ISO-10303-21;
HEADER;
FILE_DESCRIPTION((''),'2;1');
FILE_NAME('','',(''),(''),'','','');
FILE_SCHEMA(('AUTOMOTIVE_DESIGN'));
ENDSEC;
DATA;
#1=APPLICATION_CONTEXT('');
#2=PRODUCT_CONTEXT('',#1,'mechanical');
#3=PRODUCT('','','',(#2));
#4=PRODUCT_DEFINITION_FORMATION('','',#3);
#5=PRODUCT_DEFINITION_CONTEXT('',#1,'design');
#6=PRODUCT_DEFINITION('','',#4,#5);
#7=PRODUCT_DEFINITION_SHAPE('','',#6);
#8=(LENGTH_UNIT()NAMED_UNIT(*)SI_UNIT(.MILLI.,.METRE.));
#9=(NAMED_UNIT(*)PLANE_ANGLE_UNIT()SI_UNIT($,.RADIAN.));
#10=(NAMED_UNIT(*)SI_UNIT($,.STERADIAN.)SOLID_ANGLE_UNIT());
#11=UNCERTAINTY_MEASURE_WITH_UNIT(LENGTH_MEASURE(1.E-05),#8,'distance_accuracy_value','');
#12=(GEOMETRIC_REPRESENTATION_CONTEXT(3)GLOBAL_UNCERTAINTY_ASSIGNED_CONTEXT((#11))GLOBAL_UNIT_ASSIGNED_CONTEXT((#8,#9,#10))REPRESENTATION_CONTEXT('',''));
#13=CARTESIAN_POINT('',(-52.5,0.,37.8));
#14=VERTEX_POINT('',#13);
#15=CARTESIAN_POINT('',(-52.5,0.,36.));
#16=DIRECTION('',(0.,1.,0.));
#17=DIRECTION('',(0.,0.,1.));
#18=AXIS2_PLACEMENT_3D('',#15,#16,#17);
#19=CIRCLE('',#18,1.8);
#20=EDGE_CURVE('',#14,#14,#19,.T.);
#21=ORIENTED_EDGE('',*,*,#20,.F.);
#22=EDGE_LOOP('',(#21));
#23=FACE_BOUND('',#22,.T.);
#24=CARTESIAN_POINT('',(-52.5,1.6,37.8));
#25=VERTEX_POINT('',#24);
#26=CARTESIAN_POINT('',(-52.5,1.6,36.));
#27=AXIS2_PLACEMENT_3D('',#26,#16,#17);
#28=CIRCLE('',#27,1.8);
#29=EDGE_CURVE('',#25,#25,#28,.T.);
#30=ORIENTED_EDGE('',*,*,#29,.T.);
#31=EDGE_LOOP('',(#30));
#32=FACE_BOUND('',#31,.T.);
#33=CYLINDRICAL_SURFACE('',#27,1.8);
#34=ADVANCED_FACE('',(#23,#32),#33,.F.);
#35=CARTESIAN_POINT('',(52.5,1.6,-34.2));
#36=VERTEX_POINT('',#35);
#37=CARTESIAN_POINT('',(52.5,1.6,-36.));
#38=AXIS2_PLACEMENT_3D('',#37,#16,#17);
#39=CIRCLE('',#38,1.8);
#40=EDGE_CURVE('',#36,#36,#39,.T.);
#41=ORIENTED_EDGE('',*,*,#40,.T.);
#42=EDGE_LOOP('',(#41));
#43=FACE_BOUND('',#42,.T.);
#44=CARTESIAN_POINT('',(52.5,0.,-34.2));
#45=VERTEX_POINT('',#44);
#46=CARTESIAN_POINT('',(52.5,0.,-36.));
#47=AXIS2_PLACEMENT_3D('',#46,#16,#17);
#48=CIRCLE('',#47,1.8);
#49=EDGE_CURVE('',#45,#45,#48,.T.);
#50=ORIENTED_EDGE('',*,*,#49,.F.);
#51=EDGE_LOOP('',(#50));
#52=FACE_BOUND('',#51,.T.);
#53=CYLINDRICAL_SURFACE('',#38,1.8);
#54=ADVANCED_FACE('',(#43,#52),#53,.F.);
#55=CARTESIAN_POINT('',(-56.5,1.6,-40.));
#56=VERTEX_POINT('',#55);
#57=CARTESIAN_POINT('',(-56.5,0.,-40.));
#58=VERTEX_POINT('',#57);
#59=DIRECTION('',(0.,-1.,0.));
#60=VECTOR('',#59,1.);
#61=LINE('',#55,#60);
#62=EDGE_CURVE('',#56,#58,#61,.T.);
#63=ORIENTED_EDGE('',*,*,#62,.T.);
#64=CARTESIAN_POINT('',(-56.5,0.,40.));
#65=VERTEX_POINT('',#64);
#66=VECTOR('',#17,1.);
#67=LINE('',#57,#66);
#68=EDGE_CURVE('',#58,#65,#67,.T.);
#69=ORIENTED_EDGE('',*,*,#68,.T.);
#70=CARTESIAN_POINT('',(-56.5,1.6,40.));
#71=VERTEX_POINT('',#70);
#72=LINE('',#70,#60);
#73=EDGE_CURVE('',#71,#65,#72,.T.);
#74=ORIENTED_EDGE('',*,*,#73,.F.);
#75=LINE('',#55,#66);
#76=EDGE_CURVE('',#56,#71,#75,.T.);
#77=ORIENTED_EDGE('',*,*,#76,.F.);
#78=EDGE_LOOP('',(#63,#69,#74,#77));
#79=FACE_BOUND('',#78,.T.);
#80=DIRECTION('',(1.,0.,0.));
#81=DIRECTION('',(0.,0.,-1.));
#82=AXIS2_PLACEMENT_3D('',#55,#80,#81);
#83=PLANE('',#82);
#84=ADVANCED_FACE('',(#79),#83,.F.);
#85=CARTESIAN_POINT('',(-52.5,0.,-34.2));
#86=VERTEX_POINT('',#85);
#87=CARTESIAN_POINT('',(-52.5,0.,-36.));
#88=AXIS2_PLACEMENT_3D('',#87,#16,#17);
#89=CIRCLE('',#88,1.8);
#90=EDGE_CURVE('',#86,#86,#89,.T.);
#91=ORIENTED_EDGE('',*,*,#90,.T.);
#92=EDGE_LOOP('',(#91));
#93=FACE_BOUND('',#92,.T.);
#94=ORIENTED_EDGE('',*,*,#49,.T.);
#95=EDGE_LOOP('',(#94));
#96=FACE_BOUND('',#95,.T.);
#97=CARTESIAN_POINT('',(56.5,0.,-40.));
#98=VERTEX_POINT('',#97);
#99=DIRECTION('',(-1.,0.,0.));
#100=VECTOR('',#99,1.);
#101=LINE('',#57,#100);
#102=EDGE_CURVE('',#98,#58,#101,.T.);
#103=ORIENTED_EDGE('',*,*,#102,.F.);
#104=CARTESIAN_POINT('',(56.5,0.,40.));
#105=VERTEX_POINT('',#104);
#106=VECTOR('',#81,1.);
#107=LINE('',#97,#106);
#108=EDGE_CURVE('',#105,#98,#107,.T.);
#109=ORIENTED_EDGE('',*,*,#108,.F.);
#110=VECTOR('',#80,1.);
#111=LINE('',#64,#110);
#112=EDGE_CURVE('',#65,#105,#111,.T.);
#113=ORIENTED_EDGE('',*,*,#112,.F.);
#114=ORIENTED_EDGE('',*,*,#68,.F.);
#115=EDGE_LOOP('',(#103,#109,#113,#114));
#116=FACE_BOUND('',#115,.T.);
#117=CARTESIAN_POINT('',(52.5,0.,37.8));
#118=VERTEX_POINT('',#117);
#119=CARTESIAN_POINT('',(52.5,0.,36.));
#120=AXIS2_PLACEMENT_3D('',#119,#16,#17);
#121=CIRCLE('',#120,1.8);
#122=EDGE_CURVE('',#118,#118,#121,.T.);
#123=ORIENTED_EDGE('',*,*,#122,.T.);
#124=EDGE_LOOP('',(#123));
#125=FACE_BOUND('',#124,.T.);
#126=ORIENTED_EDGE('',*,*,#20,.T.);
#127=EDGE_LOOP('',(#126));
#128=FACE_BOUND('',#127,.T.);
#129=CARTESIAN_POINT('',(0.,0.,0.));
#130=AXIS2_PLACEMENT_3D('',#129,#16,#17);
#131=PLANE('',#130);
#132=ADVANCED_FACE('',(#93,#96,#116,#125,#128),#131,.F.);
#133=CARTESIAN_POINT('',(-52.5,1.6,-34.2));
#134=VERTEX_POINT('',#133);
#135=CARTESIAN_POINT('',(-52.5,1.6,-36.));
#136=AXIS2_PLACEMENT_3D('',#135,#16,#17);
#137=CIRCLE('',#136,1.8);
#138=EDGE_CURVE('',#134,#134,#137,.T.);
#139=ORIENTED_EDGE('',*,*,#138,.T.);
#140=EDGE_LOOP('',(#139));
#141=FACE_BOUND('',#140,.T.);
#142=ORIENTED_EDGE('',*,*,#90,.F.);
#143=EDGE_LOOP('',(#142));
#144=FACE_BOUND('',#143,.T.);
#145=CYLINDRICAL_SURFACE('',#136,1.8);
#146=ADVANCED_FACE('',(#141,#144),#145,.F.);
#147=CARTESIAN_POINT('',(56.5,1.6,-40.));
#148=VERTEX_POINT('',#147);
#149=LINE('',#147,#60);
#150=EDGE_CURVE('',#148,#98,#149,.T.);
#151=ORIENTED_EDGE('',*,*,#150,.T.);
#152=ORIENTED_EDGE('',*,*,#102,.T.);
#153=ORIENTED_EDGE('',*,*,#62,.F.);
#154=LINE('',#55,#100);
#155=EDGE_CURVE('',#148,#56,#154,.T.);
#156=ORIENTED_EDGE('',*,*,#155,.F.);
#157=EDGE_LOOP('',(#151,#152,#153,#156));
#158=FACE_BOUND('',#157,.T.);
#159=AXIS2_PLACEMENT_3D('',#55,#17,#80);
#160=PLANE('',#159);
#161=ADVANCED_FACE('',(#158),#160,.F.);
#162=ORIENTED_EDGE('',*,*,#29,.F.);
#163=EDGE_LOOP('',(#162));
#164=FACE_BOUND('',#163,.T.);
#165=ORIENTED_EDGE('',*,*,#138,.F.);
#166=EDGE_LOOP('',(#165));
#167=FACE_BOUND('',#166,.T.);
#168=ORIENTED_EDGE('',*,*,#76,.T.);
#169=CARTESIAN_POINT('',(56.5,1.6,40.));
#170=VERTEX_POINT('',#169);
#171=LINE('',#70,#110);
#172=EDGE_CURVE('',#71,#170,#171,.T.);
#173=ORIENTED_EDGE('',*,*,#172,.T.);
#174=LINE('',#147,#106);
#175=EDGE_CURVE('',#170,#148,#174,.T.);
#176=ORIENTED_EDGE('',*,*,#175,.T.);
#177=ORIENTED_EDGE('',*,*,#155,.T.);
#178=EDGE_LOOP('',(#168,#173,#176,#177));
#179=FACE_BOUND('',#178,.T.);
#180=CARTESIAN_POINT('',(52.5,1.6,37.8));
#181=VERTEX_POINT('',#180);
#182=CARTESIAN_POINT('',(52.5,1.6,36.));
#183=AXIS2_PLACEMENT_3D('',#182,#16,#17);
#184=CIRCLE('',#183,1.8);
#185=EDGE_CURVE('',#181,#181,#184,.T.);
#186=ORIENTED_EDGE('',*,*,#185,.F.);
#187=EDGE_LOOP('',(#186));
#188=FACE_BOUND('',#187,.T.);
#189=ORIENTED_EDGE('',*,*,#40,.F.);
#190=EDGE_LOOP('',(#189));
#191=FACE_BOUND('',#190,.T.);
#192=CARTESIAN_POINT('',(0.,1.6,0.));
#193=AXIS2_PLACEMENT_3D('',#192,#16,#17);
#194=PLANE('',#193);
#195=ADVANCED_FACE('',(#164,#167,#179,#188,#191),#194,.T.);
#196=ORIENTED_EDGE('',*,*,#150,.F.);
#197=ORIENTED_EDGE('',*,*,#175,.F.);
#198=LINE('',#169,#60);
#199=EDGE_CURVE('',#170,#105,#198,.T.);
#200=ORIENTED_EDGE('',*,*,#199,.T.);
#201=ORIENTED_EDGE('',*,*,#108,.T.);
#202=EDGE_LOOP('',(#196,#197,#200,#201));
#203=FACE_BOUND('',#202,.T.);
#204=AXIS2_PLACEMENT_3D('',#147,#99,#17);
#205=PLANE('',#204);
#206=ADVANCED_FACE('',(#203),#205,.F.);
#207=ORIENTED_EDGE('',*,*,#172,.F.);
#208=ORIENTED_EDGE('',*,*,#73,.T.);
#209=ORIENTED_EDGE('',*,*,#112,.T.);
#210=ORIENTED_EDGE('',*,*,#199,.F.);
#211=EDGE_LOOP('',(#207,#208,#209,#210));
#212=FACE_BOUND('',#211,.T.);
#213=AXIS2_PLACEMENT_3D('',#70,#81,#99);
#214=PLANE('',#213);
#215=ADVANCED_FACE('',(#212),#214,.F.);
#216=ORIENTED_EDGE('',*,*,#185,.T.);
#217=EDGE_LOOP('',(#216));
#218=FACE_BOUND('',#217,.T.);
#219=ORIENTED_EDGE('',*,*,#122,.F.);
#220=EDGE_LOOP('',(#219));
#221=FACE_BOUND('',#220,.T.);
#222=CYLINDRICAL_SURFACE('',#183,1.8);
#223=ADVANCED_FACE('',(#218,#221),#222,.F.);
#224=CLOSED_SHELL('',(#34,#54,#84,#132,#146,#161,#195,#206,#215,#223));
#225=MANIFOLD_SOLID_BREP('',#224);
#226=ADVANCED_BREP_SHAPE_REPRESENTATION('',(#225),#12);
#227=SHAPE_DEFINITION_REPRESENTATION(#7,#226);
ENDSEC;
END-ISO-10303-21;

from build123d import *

# Parameters (mm, degrees)
SKETCH1_W            = 113
SKETCH1_H            = 80
BOSS_EXTRUDE1_DEPTH  = 1.6
M3_CLEARANCE_HOLE1_D = 3.6
MIRROR2_COPY_1_D     = 3.6


with BuildPart() as part:
    # Sketch1 → Boss-Extrude1 (new body)
    with BuildSketch(Plane(origin=(0, 0, 0), x_dir=(1, 0, 0), z_dir=(0, 1, 0))):
        Rectangle(SKETCH1_W, SKETCH1_H)
    extrude(amount=BOSS_EXTRUDE1_DEPTH)

    # M3 Clearance Hole1 (through all)
    with Locations(Plane(origin=(0, 1.6, 0), x_dir=(1, 0, 0), z_dir=(0, 1, 0))):
        with Locations((-52.5, 36)):
            m3_clearance_hole1 = Hole(M3_CLEARANCE_HOLE1_D / 2)

    # Mirror1: M3 Clearance Hole1 across plane
    add(m3_clearance_hole1.mirror(Plane(origin=(0, 0, 0), x_dir=(0, 0, 1), z_dir=(1, 0, 0))), mode=Mode.SUBTRACT)

    # Mirror2: M3 Clearance Hole1 across plane
    add(m3_clearance_hole1.mirror(Plane.XY), mode=Mode.SUBTRACT)

    # Mirror2 copy 1 (through all)
    with Locations(Plane(origin=(0, 1.6, 0), x_dir=(-1, 0, 0), z_dir=(0, 1, 0))):
        with Locations((-52.5, 36)):
            Hole(MIRROR2_COPY_1_D / 2)


solid = part.part
